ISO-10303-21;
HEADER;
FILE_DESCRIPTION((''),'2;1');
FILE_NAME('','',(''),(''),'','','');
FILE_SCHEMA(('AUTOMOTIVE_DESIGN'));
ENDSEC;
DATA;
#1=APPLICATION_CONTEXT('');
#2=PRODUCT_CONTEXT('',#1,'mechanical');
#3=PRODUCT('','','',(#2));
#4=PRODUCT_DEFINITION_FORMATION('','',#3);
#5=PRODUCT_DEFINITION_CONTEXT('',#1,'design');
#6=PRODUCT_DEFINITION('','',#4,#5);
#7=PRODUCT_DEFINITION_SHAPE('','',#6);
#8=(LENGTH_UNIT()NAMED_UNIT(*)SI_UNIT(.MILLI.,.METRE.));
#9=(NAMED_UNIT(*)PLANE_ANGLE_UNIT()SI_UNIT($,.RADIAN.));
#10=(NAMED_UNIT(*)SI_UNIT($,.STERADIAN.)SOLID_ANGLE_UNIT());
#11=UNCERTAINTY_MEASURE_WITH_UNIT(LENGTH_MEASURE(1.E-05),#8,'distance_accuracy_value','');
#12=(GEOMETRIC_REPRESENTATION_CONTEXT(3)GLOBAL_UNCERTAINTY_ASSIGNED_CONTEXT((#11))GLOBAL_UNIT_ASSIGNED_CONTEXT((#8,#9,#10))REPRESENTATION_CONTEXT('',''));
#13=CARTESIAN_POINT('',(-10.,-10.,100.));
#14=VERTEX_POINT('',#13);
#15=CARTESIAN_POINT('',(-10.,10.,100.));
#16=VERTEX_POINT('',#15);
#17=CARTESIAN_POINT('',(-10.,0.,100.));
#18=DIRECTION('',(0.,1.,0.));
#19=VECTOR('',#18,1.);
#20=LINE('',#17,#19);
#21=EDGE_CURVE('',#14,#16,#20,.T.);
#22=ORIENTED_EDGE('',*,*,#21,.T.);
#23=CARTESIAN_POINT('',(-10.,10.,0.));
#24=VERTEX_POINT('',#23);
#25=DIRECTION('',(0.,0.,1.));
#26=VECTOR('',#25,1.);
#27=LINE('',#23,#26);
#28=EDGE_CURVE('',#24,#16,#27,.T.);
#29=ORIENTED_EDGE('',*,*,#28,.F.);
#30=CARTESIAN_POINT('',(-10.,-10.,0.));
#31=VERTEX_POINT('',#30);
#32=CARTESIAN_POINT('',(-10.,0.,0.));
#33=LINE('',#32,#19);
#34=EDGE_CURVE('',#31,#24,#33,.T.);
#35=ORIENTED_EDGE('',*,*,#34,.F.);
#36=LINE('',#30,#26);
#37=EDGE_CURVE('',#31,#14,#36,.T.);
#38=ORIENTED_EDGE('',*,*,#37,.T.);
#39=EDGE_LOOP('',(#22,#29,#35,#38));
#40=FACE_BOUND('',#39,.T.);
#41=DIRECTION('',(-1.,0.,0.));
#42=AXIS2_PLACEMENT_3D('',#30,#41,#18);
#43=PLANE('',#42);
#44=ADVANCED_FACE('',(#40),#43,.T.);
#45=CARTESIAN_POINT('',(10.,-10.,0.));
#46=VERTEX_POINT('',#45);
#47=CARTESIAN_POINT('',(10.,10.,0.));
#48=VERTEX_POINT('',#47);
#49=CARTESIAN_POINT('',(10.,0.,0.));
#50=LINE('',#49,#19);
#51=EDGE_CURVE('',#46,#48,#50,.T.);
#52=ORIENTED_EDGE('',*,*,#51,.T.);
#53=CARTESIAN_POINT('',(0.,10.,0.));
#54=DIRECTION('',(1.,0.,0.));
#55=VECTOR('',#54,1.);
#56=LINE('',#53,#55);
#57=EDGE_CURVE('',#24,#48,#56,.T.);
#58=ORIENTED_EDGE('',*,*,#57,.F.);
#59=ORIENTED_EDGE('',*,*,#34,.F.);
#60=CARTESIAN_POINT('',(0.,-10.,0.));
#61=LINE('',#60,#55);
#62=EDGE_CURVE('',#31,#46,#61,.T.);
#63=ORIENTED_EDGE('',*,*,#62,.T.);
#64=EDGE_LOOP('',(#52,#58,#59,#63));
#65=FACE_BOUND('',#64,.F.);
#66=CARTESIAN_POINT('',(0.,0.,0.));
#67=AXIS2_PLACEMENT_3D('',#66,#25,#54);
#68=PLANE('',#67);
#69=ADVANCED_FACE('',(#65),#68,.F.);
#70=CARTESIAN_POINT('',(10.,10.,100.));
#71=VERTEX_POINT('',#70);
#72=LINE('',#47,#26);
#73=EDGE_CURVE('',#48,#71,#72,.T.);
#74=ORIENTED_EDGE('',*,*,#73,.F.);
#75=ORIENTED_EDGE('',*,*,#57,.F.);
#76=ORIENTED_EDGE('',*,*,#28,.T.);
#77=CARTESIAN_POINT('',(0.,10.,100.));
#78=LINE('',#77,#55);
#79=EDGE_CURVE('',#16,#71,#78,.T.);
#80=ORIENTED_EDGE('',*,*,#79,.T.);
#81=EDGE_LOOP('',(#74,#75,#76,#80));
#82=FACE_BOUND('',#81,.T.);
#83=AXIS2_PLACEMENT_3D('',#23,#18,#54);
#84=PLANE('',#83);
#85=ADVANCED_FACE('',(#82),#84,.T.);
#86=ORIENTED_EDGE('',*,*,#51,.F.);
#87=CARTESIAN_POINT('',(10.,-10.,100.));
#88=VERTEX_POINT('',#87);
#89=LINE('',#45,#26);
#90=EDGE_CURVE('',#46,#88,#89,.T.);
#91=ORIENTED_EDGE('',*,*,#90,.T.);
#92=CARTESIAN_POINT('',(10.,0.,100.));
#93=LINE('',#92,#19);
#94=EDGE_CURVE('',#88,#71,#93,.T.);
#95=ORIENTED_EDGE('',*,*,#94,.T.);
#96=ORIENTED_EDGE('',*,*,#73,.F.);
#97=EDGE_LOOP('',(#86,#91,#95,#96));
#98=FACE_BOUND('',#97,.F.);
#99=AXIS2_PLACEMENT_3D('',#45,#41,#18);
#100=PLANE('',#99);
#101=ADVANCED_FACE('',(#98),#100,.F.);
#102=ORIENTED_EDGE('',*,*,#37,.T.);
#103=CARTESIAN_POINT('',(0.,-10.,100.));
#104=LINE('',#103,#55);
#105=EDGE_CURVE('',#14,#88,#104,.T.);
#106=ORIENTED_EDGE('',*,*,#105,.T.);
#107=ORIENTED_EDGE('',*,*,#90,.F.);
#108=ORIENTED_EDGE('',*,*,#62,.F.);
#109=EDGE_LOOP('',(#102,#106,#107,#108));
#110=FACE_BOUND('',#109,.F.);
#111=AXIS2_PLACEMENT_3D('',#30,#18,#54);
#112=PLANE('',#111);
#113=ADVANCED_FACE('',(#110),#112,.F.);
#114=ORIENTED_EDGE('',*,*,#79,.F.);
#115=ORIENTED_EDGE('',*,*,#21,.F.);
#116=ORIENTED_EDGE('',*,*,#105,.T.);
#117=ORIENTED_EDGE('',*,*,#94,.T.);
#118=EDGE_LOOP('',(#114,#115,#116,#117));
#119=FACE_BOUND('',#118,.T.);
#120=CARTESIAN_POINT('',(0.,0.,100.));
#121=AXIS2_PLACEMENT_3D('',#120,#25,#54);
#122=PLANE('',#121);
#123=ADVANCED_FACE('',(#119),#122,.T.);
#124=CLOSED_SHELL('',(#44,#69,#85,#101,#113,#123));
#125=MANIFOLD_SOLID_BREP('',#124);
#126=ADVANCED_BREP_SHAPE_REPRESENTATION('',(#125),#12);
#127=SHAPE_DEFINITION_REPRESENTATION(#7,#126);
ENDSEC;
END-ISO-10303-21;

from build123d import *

# Parameters (mm, degrees)
SKETCH_W  = 20
SKETCH_H  = 20
PAD_DEPTH = 100


with BuildPart() as part:
    # Sketch → Pad (new body)
    with BuildSketch(Plane.XY):
        Rectangle(SKETCH_W, SKETCH_H)
    extrude(amount=PAD_DEPTH)


solid = part.part
